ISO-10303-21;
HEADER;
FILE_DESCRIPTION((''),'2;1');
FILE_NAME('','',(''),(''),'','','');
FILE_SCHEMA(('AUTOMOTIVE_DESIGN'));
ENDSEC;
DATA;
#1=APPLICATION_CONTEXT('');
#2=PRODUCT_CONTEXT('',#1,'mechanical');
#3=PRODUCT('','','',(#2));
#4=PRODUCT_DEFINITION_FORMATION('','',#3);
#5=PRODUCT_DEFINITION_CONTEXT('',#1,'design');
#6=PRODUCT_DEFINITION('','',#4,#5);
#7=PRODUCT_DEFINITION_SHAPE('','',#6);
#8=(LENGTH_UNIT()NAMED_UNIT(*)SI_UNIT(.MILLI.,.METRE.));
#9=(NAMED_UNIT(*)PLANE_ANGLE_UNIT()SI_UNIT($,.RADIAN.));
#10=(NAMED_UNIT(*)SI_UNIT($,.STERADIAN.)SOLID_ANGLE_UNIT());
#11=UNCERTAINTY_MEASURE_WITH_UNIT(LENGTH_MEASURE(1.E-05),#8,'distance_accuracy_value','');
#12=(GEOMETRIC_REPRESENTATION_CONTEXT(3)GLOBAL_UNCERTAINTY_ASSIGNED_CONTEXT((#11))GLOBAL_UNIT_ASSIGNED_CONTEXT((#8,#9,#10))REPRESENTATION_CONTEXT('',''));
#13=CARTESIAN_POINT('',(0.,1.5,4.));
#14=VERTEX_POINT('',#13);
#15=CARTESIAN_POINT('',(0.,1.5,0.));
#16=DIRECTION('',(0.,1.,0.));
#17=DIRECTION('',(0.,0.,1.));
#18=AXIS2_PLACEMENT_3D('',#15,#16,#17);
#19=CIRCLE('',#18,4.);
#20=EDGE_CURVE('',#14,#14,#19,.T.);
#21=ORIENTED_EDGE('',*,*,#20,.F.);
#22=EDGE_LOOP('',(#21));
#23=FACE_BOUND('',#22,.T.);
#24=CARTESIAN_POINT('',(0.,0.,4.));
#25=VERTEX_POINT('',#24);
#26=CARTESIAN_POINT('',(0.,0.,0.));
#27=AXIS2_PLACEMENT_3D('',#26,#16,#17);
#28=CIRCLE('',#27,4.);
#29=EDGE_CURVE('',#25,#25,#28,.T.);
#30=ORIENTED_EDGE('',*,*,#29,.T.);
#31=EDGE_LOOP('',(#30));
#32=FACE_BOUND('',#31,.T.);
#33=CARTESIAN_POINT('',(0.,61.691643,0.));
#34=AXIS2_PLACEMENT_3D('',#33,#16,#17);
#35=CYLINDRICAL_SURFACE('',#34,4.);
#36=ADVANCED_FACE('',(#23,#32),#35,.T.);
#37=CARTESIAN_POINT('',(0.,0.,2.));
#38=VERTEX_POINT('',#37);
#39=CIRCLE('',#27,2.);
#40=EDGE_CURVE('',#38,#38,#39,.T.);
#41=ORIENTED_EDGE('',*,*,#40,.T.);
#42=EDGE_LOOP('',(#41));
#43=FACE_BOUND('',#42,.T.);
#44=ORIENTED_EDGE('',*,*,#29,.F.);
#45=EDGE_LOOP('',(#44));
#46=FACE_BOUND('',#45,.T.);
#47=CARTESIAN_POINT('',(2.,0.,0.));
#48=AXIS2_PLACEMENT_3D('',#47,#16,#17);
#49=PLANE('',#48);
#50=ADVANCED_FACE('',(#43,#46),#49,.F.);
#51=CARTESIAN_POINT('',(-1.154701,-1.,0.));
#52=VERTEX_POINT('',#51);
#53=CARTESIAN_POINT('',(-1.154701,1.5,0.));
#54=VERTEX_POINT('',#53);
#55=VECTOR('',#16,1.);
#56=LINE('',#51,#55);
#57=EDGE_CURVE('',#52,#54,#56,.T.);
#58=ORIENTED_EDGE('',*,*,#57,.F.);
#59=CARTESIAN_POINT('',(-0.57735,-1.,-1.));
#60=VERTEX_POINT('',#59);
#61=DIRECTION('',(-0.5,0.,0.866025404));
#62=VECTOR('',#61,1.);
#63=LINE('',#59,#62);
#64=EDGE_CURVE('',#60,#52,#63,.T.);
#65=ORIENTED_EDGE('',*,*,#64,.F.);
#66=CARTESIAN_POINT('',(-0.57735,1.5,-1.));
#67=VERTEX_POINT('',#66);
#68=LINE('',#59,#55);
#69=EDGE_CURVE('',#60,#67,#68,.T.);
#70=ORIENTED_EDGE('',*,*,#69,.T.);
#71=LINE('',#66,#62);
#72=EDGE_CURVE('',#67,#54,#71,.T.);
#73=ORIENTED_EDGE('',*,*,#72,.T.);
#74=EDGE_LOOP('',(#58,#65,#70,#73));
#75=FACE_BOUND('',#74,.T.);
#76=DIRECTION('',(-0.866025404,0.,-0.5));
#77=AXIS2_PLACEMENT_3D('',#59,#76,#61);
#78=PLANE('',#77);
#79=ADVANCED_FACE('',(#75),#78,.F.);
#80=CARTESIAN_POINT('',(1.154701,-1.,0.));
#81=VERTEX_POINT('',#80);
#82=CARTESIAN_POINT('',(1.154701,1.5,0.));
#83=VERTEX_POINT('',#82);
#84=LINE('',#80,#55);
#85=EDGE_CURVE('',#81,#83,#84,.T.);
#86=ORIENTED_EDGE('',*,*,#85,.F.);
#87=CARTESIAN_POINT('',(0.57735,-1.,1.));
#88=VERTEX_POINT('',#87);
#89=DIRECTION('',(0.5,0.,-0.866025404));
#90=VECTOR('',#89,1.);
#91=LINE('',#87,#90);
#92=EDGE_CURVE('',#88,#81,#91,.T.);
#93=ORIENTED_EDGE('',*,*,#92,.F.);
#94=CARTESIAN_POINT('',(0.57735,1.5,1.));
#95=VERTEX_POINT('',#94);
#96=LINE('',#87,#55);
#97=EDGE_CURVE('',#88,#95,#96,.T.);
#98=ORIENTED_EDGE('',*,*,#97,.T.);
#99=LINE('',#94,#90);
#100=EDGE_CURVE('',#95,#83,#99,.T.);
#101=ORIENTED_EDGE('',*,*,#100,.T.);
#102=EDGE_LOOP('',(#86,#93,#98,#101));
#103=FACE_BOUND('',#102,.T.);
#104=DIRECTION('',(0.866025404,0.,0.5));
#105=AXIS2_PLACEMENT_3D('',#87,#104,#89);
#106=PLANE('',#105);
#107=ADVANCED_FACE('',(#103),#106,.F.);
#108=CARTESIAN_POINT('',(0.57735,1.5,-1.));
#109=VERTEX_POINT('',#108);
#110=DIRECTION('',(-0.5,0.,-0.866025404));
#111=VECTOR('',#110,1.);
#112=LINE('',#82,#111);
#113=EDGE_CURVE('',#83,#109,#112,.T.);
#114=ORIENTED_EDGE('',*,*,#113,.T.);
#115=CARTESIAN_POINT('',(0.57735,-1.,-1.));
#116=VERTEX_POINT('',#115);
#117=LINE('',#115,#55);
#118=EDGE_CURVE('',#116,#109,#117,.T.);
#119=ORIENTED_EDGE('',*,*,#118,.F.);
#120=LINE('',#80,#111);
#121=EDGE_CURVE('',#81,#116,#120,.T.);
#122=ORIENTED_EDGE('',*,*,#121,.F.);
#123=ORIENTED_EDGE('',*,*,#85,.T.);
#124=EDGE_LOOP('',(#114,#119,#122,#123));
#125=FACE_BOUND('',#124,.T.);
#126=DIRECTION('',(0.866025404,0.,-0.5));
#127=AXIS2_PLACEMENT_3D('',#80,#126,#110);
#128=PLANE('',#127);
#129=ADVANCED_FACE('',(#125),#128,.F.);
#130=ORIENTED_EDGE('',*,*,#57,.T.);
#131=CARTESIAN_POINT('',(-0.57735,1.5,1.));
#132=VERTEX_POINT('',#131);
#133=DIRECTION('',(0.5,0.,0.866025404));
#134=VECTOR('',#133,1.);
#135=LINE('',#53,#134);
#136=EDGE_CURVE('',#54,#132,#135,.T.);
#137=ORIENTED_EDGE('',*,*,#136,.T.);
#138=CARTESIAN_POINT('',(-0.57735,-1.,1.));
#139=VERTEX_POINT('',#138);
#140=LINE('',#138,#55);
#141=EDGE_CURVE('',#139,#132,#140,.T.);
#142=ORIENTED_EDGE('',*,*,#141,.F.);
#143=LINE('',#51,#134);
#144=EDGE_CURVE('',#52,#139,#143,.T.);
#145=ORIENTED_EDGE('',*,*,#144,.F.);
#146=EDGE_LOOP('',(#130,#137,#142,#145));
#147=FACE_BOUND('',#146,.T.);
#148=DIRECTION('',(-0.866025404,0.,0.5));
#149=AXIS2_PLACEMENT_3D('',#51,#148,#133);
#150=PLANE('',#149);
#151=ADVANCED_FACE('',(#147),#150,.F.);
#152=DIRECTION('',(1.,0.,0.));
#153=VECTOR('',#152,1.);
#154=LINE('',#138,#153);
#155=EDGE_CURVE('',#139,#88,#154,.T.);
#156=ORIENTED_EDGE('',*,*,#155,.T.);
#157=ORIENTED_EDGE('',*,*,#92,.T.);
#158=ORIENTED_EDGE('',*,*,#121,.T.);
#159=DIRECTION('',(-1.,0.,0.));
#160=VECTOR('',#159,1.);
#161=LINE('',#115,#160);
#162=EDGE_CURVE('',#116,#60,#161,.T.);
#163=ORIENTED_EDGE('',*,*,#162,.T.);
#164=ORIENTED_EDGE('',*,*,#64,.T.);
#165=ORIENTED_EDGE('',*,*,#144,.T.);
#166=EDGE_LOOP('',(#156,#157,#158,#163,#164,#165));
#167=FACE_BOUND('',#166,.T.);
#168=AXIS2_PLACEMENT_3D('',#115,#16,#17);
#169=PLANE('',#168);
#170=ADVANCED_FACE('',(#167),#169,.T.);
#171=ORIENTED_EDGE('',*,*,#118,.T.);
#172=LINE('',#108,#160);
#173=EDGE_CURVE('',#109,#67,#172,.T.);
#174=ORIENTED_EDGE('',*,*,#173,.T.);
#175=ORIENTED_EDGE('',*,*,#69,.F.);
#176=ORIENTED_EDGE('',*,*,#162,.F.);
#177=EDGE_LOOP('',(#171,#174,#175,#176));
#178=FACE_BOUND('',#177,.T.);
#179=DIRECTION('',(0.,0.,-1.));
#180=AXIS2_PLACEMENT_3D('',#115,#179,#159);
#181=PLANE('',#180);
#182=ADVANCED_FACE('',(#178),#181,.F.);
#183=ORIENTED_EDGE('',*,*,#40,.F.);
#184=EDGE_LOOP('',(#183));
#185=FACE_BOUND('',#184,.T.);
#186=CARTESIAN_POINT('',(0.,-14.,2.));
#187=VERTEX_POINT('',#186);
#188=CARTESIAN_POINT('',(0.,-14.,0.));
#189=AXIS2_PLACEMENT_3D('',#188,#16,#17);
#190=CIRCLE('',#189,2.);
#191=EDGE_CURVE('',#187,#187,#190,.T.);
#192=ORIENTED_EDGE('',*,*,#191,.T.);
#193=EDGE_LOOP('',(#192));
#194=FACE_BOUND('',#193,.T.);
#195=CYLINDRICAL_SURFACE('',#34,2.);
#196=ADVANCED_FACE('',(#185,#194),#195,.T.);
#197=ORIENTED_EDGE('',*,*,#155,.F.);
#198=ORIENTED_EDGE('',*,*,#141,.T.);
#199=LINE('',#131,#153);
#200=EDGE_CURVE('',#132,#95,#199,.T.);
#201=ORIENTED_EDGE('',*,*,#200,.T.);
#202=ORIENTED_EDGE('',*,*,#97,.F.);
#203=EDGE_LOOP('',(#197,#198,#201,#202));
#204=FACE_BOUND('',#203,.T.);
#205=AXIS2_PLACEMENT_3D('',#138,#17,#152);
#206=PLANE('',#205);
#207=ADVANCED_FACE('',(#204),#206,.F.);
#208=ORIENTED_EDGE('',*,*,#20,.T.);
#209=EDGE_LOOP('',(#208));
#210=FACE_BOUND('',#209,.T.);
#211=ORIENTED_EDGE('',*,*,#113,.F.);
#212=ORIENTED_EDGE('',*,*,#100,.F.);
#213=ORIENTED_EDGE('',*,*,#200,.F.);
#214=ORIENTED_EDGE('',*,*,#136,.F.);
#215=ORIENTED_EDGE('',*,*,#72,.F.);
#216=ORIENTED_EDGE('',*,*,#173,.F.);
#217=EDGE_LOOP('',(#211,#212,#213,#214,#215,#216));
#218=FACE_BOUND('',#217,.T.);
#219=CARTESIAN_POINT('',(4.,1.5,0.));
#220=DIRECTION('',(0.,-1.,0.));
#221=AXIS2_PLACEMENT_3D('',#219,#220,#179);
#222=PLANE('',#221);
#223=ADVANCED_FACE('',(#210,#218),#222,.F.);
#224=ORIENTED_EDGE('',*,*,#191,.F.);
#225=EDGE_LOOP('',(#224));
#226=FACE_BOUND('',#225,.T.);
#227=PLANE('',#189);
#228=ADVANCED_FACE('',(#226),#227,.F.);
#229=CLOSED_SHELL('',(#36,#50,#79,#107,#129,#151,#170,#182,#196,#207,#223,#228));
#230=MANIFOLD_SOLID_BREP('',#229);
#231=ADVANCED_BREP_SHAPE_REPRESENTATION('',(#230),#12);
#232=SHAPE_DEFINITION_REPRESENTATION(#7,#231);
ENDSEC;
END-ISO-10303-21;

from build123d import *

# Parameters (mm, degrees)
CUT_EXTRUDE1_DEPTH = 2.5


with BuildPart() as part:
    # Sketch1 → Revolve1 (revolve)
    with BuildSketch(Plane.XY, mode=Mode.PRIVATE) as revolve1_sk:
        Polygon((0, -14), (2, -14), (2, 0), (4, 0), (4, 1.5), (0, 1.5), align=None)
    revolve(revolve1_sk.sketch.rotate(Axis((0, 61.691642626, 0), (0, -1, 0)), 90), axis=Axis((0, 61.691642626, 0), (0, -1, 0)))

    # Sketch2 → Cut-Extrude1 (cut)
    with BuildSketch(Plane(origin=(0, 1.5, 0), x_dir=(-1, 0, 0), z_dir=(0, 1, 0))):
        Polygon((-0.577350269, -1), (0.577350269, -1), (1.154700538, 0), (0.577350269, 1), (-0.577350269, 1), (-1.154700538, 0), align=None)
    extrude(amount=-CUT_EXTRUDE1_DEPTH, mode=Mode.SUBTRACT)


solid = part.part
